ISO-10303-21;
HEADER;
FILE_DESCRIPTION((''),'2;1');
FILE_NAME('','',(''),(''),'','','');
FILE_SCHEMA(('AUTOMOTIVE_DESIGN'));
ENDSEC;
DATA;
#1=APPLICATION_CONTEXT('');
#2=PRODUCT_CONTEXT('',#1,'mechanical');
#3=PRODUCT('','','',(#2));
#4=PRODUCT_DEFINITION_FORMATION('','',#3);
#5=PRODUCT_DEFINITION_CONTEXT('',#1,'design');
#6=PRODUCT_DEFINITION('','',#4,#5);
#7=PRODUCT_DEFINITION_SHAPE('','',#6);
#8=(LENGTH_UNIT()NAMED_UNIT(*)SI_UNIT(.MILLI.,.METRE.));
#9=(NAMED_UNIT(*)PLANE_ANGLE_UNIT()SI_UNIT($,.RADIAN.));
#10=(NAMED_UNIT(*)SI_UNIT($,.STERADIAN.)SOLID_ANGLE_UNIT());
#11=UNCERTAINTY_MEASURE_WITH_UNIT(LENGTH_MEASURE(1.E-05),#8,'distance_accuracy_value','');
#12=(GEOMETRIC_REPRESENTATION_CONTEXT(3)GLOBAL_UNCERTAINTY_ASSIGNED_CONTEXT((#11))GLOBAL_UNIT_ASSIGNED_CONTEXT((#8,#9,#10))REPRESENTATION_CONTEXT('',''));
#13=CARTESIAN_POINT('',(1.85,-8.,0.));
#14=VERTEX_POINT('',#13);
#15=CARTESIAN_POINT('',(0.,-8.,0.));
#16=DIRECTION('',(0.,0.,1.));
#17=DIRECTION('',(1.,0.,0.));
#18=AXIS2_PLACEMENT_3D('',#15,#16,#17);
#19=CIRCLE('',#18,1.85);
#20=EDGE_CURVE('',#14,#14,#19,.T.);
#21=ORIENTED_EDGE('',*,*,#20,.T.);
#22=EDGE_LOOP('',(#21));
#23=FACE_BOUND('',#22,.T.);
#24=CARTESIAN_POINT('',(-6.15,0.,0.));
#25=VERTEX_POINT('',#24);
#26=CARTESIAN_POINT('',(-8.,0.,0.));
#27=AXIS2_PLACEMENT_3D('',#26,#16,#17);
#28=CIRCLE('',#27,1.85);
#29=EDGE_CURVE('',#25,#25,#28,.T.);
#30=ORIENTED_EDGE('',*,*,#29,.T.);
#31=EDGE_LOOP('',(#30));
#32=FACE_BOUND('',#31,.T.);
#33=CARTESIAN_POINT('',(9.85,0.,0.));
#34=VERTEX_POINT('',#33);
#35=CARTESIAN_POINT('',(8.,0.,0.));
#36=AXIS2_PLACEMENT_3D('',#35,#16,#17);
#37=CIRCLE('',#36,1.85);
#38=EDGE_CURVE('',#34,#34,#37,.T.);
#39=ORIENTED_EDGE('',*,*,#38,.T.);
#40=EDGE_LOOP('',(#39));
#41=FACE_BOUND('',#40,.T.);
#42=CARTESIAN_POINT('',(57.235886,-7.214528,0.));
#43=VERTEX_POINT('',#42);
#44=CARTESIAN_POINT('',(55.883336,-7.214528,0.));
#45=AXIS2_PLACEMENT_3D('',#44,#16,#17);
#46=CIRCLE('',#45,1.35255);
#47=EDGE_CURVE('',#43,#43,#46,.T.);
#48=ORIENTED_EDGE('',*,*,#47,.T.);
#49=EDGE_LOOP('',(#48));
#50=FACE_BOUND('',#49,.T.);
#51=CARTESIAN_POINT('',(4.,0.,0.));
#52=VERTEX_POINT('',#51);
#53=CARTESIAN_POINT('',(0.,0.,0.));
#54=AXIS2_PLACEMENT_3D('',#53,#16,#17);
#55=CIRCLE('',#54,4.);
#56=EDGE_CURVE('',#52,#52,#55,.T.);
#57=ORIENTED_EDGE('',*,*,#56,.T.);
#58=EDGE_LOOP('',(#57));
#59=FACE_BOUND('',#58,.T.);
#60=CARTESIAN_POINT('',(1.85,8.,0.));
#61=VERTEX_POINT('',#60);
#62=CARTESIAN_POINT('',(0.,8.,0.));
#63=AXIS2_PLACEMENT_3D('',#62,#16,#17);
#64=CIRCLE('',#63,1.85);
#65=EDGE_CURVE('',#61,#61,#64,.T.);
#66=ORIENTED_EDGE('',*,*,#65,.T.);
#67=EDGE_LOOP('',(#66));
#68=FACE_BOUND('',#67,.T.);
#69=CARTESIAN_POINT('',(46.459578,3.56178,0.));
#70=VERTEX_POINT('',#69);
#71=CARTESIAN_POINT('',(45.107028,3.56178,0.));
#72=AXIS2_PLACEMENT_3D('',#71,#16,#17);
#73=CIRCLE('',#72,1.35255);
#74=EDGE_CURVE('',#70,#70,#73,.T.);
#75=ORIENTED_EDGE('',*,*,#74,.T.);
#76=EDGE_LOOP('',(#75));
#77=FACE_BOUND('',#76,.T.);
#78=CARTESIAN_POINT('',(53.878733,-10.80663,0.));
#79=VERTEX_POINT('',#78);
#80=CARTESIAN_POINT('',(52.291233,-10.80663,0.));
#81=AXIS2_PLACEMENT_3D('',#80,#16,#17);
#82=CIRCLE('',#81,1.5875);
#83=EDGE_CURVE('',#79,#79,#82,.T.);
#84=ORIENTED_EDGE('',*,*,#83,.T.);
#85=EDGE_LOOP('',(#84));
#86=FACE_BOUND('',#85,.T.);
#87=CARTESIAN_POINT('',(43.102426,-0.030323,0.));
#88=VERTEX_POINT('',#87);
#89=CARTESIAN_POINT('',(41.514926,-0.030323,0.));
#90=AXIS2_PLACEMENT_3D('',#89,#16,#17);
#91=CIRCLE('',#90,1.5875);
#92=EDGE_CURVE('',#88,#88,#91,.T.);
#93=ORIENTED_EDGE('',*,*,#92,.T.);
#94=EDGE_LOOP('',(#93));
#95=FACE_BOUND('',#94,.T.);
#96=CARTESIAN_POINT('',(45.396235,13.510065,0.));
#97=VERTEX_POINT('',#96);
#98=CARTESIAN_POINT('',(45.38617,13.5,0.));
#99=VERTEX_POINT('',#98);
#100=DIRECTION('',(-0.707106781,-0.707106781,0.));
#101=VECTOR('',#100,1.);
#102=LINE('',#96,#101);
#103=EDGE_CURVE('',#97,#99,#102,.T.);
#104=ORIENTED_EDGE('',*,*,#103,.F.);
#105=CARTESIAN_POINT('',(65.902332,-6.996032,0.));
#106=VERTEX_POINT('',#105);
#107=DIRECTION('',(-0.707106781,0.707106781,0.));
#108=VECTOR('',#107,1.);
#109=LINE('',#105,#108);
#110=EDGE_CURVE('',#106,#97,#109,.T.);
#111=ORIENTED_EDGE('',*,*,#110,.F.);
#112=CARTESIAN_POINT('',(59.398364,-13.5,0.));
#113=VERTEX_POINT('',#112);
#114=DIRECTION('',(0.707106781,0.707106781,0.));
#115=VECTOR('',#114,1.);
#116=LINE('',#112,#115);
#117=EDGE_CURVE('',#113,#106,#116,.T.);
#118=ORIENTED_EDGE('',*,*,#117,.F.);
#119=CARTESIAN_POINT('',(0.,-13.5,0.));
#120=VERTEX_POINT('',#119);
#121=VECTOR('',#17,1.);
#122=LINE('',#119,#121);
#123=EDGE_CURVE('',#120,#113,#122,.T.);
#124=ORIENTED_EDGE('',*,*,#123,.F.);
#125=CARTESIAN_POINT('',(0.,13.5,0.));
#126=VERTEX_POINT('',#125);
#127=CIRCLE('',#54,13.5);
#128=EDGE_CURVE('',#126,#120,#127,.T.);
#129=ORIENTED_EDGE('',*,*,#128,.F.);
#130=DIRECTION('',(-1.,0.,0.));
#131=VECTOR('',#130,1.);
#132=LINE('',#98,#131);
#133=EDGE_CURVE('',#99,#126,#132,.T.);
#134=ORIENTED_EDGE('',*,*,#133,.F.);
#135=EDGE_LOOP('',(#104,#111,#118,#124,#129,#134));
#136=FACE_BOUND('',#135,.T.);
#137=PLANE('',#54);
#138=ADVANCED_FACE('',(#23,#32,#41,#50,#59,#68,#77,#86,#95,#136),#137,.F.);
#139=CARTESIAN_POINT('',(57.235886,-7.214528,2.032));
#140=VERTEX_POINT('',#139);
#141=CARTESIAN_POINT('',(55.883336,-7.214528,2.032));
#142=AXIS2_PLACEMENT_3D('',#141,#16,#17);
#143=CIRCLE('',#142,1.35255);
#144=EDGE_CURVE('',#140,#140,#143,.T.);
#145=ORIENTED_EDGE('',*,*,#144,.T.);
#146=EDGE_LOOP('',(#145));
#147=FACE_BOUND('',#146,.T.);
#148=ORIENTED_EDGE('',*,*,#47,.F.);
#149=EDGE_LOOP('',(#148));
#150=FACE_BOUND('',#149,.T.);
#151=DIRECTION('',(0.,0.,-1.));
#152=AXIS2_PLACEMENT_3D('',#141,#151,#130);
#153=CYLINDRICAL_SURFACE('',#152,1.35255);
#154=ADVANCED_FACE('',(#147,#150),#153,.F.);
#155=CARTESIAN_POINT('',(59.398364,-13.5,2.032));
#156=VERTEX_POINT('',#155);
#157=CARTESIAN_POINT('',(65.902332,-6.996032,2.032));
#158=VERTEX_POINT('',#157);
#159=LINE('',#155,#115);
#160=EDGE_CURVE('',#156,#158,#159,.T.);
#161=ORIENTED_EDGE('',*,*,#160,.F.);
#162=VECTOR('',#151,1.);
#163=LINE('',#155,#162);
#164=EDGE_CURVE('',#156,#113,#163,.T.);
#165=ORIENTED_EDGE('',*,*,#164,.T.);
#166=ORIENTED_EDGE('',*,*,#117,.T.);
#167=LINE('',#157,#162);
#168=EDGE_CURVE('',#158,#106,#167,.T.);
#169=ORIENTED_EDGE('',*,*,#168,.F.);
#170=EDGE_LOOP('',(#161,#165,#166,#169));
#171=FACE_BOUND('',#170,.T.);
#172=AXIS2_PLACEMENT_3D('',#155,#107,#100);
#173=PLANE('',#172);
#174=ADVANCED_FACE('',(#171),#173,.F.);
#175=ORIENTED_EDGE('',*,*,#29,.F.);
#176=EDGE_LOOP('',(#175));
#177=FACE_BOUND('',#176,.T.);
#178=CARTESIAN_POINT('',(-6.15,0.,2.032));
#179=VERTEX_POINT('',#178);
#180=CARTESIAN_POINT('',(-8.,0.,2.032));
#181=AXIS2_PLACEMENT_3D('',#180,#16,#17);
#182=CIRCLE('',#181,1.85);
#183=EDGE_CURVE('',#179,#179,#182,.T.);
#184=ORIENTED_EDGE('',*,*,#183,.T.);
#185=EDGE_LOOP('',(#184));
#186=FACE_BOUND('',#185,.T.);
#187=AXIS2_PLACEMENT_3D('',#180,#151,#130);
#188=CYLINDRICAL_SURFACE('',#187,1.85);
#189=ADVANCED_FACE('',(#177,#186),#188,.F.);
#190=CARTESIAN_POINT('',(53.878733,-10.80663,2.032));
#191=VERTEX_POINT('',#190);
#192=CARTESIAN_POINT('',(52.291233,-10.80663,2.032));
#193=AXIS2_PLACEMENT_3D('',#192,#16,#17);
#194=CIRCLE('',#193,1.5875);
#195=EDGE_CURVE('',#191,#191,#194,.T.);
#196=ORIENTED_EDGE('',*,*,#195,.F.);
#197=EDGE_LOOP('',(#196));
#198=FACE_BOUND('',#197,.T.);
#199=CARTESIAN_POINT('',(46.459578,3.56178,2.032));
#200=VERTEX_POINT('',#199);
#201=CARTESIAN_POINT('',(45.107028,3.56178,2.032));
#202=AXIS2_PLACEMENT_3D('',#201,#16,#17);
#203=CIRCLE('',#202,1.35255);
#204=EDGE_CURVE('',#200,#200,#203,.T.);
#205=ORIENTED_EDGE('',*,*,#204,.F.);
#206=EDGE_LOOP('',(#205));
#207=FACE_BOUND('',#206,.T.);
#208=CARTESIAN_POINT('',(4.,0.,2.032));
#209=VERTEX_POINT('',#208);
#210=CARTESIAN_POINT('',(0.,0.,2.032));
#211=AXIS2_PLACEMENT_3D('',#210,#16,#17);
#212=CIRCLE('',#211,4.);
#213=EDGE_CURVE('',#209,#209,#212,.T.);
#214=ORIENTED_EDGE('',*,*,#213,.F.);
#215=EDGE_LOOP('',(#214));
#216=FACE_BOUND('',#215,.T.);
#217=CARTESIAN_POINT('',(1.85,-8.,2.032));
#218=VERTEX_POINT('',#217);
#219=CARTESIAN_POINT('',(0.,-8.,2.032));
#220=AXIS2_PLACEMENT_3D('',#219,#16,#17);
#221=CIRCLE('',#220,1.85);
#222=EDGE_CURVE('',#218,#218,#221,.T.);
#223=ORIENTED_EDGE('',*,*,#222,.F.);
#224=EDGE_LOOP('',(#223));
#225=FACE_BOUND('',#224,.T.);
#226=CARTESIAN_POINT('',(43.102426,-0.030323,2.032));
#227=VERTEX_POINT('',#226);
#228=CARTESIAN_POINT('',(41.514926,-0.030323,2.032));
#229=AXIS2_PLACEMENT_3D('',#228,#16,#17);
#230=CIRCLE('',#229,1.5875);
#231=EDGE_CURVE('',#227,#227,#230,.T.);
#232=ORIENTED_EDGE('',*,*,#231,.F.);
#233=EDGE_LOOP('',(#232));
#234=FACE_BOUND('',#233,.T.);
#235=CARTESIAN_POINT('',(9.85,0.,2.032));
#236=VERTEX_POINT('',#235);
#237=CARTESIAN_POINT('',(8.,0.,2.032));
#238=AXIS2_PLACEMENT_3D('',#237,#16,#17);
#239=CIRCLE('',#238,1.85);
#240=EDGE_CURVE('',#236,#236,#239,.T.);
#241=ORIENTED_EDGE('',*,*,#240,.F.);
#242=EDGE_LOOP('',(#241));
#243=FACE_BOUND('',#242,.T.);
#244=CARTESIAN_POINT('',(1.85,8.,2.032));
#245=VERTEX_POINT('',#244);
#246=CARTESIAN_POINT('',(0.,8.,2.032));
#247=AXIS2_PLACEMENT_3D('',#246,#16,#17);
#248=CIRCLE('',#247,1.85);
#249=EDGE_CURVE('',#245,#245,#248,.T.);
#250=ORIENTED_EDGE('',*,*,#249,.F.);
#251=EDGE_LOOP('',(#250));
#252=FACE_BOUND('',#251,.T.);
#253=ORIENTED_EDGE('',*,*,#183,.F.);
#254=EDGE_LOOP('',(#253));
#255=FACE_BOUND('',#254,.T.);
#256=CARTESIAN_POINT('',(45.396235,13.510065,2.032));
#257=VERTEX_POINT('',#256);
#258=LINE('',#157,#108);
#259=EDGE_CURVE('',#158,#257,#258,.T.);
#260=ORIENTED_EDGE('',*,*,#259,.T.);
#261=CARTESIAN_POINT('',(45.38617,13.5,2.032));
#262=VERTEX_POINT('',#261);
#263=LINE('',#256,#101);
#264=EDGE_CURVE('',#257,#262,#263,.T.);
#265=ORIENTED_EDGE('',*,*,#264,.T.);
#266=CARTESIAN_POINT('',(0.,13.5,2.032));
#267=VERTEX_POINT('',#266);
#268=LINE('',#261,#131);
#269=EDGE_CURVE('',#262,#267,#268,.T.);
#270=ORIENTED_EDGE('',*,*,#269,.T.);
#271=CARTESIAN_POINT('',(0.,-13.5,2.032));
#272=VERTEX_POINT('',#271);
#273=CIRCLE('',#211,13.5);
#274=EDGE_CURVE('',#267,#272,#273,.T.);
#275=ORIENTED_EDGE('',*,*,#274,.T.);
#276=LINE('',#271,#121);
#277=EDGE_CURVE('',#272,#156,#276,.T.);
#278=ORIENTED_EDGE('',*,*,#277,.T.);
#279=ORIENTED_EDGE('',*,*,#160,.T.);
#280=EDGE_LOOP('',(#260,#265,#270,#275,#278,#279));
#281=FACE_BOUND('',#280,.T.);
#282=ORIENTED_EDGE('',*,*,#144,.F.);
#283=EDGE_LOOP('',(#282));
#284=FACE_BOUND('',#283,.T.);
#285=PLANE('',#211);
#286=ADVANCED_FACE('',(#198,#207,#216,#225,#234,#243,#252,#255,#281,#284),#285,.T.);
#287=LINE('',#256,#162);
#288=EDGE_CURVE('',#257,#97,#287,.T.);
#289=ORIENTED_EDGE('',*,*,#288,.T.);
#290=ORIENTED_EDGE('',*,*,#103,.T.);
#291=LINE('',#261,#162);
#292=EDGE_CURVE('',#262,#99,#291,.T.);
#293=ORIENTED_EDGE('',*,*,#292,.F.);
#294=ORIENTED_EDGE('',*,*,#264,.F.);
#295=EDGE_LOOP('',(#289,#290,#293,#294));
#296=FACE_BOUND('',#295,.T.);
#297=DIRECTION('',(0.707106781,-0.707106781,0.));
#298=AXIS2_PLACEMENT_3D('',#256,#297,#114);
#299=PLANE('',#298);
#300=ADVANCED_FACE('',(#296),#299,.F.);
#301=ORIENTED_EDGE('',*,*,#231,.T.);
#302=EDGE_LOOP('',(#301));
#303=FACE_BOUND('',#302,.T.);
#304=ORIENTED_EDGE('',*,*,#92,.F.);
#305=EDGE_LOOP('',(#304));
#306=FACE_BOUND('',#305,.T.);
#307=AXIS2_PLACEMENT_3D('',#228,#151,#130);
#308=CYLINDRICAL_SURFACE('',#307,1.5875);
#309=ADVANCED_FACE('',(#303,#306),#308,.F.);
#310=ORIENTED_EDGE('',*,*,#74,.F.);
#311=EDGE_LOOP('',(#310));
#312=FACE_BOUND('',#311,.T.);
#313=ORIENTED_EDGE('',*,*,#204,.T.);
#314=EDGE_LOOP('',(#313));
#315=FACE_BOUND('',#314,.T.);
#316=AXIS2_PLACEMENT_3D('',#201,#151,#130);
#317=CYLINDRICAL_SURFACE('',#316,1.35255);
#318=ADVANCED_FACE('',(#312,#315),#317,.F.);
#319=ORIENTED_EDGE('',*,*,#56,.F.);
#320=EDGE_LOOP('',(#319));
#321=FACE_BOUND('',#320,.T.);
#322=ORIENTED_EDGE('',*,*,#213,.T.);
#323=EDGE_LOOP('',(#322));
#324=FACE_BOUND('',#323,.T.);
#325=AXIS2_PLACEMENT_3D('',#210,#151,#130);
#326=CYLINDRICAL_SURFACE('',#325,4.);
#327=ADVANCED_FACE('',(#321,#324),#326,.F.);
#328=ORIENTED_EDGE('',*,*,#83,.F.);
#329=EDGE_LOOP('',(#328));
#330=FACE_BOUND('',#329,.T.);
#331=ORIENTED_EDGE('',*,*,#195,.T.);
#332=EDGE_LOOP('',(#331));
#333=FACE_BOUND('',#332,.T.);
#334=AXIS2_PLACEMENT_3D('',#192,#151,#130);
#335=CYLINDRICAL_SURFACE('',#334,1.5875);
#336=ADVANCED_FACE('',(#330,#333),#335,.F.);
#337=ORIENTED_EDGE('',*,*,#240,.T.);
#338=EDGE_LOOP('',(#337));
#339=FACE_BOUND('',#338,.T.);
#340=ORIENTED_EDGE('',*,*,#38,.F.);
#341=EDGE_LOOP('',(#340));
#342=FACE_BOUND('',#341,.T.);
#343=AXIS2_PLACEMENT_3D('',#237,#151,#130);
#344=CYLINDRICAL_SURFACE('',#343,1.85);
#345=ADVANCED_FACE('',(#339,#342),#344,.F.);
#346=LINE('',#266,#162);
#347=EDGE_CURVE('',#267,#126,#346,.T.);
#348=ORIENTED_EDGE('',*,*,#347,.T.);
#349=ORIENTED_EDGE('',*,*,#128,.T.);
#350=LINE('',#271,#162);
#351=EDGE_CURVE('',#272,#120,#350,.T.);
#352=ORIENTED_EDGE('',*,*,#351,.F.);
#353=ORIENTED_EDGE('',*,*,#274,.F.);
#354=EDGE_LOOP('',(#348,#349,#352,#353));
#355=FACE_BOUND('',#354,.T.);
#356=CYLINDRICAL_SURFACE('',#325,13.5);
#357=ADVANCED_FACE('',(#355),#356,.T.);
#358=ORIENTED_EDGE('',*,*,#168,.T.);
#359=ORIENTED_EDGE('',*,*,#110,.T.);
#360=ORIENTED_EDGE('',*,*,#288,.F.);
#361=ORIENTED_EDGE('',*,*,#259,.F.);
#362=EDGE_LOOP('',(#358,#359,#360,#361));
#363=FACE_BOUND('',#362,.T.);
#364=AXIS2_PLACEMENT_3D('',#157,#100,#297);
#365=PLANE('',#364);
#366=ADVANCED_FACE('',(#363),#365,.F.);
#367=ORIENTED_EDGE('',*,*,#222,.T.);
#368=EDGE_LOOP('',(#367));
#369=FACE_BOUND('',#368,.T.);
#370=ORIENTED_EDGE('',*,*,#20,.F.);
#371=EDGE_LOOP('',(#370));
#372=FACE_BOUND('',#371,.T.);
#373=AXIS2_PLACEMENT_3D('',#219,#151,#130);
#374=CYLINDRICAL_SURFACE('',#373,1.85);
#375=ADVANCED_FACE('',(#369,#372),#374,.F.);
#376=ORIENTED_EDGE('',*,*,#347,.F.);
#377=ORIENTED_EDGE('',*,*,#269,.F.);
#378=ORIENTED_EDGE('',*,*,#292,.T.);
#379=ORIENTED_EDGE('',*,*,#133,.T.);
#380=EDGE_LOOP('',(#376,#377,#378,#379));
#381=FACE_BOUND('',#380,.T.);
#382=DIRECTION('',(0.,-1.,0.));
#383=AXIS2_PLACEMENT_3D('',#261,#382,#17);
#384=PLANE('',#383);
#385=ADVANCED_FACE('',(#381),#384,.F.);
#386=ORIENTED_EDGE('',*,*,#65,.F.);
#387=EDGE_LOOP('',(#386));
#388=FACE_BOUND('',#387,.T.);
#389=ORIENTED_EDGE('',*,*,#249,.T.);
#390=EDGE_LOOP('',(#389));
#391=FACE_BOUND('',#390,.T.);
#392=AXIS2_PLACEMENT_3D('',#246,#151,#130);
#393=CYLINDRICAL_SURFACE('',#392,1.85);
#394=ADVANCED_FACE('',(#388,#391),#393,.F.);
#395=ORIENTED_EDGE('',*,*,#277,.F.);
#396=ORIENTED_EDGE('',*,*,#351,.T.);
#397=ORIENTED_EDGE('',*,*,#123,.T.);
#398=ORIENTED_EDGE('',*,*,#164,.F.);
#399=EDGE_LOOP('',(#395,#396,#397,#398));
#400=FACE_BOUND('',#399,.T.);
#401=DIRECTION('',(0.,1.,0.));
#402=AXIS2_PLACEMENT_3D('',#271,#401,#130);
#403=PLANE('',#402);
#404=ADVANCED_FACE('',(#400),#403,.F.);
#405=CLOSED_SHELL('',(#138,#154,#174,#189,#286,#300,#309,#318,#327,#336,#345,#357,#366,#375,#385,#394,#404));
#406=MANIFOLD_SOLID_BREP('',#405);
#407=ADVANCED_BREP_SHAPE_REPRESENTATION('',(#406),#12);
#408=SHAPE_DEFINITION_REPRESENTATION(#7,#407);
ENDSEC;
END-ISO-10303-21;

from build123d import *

# Parameters (mm, degrees)
SKETCH2_R           = 1.85
SKETCH2_R_2         = 1.35255
SKETCH2_R_3         = 4
SKETCH2_R_4         = 1.5875
BOSS_EXTRUDE1_DEPTH = 2.032


with BuildPart() as part:
    # Sketch2 → Boss-Extrude1 (new body)
    with BuildSketch(Plane.XY):
        with BuildLine():
            Line((45.396235039, 13.510064828), (45.386170211, 13.5))
            Line((45.386170211, 13.5), (0, 13.5))
            ThreePointArc((0, 13.5), (-13.5, 0), (0, -13.5))
            Line((0, -13.5), (59.39836352, -13.5))
            Line((59.39836352, -13.5), (65.902331694, -6.996031827))
            Line((65.902331694, -6.996031827), (45.396235039, 13.510064828))
        make_face()
        with Locations((8, 0)):
            Circle(SKETCH2_R, mode=Mode.SUBTRACT)
        with Locations((55.883335711, -7.214527822)):
            Circle(SKETCH2_R_2, mode=Mode.SUBTRACT)
        with Locations((45.107028366, 3.561779523)):
            Circle(SKETCH2_R_2, mode=Mode.SUBTRACT)
        Circle(SKETCH2_R_3, mode=Mode.SUBTRACT)
        with Locations((0, -8)):
            Circle(SKETCH2_R, mode=Mode.SUBTRACT)
        with Locations((-8, 0)):
            Circle(SKETCH2_R, mode=Mode.SUBTRACT)
        with Locations((0, 8)):
            Circle(SKETCH2_R, mode=Mode.SUBTRACT)
        with Locations((41.514925917, -0.030322925)):
            Circle(SKETCH2_R_4, mode=Mode.SUBTRACT)
        with Locations((52.291233263, -10.80663027)):
            Circle(SKETCH2_R_4, mode=Mode.SUBTRACT)
    extrude(amount=BOSS_EXTRUDE1_DEPTH)


solid = part.part
